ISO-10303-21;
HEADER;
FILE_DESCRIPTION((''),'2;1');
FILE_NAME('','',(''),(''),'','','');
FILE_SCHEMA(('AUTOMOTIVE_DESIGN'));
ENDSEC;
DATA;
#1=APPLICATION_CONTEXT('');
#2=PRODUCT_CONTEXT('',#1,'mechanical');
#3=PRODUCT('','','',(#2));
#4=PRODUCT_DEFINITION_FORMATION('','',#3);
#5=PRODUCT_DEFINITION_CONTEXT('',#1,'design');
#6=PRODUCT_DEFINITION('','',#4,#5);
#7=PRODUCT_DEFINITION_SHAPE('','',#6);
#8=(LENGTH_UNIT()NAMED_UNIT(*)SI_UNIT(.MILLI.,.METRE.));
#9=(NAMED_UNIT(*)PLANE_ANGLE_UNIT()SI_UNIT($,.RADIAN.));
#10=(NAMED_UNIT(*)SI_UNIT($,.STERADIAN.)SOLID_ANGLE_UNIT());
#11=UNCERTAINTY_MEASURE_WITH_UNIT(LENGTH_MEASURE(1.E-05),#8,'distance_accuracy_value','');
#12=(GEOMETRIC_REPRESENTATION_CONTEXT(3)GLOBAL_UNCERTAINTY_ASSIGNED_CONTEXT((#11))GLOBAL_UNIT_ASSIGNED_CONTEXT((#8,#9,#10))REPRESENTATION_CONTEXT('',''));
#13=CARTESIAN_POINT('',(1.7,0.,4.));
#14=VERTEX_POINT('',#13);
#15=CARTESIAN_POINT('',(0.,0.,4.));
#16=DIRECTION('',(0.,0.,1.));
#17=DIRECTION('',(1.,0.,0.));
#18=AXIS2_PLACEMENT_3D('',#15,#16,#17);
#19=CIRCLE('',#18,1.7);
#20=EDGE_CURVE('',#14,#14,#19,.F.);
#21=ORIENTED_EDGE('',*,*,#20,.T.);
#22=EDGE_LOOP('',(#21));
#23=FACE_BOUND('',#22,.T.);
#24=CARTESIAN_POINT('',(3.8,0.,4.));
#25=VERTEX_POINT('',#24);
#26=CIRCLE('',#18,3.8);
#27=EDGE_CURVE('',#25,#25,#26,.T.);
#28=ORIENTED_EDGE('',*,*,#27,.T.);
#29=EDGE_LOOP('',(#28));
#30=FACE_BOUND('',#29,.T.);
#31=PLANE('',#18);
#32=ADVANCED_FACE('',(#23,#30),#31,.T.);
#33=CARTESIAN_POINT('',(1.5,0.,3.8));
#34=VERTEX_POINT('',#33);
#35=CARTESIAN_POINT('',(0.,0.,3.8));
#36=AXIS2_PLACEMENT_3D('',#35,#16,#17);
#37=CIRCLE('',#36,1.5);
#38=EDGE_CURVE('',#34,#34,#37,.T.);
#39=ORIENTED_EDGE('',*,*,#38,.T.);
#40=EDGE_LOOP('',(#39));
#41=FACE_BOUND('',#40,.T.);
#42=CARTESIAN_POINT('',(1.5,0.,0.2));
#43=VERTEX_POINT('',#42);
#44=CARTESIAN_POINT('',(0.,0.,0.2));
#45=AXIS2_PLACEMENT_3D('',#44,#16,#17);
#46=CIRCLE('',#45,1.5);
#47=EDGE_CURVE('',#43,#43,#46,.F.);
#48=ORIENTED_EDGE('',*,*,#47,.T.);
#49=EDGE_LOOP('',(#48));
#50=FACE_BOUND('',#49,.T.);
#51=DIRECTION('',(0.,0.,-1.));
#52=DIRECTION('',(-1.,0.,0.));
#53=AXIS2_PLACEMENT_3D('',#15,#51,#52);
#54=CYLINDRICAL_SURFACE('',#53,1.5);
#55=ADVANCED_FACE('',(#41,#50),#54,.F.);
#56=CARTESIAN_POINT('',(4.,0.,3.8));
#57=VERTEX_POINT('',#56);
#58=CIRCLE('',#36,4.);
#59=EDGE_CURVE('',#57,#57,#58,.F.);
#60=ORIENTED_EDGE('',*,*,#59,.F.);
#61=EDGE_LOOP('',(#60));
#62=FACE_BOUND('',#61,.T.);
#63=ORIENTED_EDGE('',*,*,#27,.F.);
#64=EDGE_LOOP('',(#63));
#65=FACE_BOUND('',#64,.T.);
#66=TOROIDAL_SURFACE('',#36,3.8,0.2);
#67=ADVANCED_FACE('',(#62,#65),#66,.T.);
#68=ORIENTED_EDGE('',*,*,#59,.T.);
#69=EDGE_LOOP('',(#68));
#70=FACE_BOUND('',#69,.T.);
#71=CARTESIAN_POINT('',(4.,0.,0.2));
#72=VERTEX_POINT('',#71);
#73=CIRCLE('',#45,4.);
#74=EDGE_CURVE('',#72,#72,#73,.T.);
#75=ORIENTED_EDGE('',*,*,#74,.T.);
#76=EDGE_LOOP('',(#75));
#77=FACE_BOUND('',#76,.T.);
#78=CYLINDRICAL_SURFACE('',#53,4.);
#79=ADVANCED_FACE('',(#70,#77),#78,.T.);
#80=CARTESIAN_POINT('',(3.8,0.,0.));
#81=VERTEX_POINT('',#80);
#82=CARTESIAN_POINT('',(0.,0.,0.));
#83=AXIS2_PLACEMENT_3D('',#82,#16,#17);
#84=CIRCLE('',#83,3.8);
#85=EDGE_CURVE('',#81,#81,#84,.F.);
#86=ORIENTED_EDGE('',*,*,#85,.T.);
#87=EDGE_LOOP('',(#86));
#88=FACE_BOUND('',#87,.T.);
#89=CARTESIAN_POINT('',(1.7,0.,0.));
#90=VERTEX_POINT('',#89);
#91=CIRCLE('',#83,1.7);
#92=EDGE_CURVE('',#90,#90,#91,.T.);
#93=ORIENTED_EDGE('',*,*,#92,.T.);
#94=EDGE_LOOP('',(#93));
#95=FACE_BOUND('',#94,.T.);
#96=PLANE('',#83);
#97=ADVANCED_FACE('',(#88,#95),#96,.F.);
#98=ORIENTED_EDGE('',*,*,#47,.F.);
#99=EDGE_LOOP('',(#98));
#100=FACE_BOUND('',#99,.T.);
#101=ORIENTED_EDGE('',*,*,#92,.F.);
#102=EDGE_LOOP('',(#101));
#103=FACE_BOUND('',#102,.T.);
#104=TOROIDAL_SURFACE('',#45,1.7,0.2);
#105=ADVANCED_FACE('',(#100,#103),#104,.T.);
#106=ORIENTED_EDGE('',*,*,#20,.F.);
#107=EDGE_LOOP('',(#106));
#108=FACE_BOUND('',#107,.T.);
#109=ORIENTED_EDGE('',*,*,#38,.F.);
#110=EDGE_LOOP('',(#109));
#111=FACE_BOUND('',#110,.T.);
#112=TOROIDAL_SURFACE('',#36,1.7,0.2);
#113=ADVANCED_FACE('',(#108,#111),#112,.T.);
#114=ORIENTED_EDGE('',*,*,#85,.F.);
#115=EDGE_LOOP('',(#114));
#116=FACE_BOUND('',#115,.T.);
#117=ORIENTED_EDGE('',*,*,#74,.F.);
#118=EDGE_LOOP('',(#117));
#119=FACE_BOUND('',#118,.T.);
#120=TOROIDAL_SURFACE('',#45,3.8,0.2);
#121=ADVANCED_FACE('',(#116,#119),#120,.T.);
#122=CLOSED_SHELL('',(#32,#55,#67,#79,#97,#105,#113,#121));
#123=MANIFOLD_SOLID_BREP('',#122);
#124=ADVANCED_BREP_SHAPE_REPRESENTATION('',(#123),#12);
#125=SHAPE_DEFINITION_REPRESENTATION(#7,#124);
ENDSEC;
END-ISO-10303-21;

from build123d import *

# Parameters (mm, degrees)
SKETCH_1_R      = 4
SKETCH_1_R_2    = 1.5
EXTRUDE_1_DEPTH = 4
FILLET_1_R      = 0.2


with BuildPart() as part:
    # Эскиз1 → Бобышка-Вытянуть1 (new body)
    with BuildSketch(Plane.XY):
        Circle(SKETCH_1_R)
        Circle(SKETCH_1_R_2, mode=Mode.SUBTRACT)
    extrude(amount=EXTRUDE_1_DEPTH)

    # Скругление1
    fillet_1_edges = [part.edges().sort_by_distance(p)[0] for p in [
        (-4, 0, 0),
        (-4, 0, 4),
        (-1.5, 0, 0),
        (-1.5, 0, 4),
    ]]
    fillet(fillet_1_edges, radius=FILLET_1_R)


solid = part.part
